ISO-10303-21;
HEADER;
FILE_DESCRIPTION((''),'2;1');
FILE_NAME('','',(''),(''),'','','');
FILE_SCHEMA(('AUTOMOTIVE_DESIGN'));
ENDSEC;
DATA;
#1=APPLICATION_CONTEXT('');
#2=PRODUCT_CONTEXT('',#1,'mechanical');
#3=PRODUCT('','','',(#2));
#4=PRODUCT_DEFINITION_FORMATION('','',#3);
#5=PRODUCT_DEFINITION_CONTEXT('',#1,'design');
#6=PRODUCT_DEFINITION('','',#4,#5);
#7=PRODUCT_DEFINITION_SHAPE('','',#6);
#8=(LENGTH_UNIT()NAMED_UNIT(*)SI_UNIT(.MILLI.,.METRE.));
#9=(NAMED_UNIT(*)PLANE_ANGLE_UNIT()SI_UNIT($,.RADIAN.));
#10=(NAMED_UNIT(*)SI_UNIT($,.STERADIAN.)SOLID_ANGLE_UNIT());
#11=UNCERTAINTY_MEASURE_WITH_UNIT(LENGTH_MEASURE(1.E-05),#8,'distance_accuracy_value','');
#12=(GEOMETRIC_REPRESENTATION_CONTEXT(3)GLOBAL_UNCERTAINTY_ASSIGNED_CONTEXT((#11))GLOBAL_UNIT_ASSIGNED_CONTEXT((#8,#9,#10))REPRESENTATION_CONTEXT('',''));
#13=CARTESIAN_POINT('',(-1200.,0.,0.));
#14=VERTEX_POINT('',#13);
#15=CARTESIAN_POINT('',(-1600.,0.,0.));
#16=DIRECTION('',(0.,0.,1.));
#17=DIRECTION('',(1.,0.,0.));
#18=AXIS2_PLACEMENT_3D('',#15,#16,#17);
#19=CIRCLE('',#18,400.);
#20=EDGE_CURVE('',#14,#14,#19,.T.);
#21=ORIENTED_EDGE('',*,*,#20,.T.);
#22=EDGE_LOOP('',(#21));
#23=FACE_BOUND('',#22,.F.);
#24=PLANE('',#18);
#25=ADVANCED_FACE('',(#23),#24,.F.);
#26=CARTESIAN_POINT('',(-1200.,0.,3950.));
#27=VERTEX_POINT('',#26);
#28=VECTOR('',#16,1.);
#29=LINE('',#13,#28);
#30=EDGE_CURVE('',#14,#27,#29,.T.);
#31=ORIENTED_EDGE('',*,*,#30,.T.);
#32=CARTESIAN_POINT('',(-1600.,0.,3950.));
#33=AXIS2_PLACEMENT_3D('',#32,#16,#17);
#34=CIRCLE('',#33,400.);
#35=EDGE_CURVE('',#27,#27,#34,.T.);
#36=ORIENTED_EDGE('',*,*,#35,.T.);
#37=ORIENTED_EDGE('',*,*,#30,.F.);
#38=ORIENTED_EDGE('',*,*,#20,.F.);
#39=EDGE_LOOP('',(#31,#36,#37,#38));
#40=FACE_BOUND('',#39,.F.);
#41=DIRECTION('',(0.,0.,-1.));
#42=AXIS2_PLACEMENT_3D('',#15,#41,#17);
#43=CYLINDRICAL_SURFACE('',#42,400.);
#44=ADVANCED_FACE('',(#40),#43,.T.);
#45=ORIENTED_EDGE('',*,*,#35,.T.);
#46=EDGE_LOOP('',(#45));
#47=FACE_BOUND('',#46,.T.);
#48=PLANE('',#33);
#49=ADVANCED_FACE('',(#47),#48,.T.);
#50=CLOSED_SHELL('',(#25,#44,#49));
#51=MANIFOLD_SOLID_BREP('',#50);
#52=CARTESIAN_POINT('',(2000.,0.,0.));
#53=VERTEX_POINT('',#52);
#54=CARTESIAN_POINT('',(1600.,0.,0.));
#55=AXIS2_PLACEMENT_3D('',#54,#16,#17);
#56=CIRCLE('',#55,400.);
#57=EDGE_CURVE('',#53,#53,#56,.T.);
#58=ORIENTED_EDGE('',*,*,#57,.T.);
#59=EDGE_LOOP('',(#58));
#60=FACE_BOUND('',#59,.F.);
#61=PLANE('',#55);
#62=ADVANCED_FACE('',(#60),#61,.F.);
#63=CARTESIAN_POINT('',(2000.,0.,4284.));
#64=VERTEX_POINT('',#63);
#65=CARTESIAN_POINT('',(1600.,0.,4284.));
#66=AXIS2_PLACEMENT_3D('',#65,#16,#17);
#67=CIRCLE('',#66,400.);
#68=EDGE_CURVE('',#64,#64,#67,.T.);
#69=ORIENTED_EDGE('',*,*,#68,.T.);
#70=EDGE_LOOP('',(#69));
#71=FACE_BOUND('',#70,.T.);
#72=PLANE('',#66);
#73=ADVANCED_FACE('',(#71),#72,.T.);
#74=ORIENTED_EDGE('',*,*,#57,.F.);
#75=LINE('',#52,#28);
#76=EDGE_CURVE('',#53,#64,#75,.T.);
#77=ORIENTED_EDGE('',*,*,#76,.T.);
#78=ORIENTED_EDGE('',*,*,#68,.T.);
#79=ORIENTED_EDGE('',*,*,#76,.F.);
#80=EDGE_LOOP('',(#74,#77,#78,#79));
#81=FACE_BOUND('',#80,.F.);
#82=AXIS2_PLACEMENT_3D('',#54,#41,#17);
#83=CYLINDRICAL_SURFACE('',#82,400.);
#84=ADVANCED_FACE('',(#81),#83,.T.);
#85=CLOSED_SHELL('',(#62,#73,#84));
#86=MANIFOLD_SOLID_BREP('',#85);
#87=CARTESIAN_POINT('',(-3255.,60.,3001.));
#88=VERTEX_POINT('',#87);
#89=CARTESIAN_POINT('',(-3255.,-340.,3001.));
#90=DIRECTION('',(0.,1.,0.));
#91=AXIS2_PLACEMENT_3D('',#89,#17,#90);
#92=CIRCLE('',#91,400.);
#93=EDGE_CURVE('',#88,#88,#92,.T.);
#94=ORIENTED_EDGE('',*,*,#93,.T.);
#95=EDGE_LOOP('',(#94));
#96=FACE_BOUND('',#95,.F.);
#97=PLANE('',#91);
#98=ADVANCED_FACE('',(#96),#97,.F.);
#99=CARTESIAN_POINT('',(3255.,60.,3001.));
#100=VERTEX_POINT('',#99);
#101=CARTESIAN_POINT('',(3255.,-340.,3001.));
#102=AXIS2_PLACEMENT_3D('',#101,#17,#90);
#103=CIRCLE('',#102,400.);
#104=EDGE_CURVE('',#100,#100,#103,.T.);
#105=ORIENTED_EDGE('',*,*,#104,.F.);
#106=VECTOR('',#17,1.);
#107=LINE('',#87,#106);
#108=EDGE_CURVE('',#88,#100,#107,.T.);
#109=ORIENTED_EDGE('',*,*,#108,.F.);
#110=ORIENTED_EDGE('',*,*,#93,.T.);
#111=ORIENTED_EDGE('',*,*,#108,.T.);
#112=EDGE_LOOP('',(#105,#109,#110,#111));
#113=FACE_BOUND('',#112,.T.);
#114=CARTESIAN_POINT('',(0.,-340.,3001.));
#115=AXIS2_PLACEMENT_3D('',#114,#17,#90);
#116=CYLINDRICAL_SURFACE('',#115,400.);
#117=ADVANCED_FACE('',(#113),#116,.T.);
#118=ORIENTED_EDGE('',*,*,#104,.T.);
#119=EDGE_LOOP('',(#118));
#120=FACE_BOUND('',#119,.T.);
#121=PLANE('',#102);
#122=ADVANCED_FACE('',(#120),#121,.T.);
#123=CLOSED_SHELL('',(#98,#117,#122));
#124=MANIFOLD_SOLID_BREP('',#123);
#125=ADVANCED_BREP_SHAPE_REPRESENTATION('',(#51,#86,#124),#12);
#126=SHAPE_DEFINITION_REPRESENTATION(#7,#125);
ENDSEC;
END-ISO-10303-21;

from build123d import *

# Parameters (mm, degrees)
F0_R     = 400
F1_DEPTH = 3255
F2_R     = 400
F3_DEPTH = 3950
F4_R     = 400
F5_DEPTH = 4284


with BuildPart() as f1:
    # F0 (on Right) → F1 (new body, symmetric)
    with BuildSketch(Plane.YZ):
        with Locations((-340, 3001)):
            Circle(F0_R)
    extrude(amount=F1_DEPTH, both=True)


with BuildPart() as f3:
    # F2 (on Top) → F3 (new body)
    with BuildSketch(Plane.XY):
        with Locations((-1600, 0)):
            Circle(F2_R)
    extrude(amount=F3_DEPTH)


with BuildPart() as f5:
    # F4 (on Top) → F5 (new body)
    with BuildSketch(Plane.XY):
        with Locations((1600, 0)):
            Circle(F4_R)
    extrude(amount=F5_DEPTH)


solid = Compound([f1.part, f3.part, f5.part])
